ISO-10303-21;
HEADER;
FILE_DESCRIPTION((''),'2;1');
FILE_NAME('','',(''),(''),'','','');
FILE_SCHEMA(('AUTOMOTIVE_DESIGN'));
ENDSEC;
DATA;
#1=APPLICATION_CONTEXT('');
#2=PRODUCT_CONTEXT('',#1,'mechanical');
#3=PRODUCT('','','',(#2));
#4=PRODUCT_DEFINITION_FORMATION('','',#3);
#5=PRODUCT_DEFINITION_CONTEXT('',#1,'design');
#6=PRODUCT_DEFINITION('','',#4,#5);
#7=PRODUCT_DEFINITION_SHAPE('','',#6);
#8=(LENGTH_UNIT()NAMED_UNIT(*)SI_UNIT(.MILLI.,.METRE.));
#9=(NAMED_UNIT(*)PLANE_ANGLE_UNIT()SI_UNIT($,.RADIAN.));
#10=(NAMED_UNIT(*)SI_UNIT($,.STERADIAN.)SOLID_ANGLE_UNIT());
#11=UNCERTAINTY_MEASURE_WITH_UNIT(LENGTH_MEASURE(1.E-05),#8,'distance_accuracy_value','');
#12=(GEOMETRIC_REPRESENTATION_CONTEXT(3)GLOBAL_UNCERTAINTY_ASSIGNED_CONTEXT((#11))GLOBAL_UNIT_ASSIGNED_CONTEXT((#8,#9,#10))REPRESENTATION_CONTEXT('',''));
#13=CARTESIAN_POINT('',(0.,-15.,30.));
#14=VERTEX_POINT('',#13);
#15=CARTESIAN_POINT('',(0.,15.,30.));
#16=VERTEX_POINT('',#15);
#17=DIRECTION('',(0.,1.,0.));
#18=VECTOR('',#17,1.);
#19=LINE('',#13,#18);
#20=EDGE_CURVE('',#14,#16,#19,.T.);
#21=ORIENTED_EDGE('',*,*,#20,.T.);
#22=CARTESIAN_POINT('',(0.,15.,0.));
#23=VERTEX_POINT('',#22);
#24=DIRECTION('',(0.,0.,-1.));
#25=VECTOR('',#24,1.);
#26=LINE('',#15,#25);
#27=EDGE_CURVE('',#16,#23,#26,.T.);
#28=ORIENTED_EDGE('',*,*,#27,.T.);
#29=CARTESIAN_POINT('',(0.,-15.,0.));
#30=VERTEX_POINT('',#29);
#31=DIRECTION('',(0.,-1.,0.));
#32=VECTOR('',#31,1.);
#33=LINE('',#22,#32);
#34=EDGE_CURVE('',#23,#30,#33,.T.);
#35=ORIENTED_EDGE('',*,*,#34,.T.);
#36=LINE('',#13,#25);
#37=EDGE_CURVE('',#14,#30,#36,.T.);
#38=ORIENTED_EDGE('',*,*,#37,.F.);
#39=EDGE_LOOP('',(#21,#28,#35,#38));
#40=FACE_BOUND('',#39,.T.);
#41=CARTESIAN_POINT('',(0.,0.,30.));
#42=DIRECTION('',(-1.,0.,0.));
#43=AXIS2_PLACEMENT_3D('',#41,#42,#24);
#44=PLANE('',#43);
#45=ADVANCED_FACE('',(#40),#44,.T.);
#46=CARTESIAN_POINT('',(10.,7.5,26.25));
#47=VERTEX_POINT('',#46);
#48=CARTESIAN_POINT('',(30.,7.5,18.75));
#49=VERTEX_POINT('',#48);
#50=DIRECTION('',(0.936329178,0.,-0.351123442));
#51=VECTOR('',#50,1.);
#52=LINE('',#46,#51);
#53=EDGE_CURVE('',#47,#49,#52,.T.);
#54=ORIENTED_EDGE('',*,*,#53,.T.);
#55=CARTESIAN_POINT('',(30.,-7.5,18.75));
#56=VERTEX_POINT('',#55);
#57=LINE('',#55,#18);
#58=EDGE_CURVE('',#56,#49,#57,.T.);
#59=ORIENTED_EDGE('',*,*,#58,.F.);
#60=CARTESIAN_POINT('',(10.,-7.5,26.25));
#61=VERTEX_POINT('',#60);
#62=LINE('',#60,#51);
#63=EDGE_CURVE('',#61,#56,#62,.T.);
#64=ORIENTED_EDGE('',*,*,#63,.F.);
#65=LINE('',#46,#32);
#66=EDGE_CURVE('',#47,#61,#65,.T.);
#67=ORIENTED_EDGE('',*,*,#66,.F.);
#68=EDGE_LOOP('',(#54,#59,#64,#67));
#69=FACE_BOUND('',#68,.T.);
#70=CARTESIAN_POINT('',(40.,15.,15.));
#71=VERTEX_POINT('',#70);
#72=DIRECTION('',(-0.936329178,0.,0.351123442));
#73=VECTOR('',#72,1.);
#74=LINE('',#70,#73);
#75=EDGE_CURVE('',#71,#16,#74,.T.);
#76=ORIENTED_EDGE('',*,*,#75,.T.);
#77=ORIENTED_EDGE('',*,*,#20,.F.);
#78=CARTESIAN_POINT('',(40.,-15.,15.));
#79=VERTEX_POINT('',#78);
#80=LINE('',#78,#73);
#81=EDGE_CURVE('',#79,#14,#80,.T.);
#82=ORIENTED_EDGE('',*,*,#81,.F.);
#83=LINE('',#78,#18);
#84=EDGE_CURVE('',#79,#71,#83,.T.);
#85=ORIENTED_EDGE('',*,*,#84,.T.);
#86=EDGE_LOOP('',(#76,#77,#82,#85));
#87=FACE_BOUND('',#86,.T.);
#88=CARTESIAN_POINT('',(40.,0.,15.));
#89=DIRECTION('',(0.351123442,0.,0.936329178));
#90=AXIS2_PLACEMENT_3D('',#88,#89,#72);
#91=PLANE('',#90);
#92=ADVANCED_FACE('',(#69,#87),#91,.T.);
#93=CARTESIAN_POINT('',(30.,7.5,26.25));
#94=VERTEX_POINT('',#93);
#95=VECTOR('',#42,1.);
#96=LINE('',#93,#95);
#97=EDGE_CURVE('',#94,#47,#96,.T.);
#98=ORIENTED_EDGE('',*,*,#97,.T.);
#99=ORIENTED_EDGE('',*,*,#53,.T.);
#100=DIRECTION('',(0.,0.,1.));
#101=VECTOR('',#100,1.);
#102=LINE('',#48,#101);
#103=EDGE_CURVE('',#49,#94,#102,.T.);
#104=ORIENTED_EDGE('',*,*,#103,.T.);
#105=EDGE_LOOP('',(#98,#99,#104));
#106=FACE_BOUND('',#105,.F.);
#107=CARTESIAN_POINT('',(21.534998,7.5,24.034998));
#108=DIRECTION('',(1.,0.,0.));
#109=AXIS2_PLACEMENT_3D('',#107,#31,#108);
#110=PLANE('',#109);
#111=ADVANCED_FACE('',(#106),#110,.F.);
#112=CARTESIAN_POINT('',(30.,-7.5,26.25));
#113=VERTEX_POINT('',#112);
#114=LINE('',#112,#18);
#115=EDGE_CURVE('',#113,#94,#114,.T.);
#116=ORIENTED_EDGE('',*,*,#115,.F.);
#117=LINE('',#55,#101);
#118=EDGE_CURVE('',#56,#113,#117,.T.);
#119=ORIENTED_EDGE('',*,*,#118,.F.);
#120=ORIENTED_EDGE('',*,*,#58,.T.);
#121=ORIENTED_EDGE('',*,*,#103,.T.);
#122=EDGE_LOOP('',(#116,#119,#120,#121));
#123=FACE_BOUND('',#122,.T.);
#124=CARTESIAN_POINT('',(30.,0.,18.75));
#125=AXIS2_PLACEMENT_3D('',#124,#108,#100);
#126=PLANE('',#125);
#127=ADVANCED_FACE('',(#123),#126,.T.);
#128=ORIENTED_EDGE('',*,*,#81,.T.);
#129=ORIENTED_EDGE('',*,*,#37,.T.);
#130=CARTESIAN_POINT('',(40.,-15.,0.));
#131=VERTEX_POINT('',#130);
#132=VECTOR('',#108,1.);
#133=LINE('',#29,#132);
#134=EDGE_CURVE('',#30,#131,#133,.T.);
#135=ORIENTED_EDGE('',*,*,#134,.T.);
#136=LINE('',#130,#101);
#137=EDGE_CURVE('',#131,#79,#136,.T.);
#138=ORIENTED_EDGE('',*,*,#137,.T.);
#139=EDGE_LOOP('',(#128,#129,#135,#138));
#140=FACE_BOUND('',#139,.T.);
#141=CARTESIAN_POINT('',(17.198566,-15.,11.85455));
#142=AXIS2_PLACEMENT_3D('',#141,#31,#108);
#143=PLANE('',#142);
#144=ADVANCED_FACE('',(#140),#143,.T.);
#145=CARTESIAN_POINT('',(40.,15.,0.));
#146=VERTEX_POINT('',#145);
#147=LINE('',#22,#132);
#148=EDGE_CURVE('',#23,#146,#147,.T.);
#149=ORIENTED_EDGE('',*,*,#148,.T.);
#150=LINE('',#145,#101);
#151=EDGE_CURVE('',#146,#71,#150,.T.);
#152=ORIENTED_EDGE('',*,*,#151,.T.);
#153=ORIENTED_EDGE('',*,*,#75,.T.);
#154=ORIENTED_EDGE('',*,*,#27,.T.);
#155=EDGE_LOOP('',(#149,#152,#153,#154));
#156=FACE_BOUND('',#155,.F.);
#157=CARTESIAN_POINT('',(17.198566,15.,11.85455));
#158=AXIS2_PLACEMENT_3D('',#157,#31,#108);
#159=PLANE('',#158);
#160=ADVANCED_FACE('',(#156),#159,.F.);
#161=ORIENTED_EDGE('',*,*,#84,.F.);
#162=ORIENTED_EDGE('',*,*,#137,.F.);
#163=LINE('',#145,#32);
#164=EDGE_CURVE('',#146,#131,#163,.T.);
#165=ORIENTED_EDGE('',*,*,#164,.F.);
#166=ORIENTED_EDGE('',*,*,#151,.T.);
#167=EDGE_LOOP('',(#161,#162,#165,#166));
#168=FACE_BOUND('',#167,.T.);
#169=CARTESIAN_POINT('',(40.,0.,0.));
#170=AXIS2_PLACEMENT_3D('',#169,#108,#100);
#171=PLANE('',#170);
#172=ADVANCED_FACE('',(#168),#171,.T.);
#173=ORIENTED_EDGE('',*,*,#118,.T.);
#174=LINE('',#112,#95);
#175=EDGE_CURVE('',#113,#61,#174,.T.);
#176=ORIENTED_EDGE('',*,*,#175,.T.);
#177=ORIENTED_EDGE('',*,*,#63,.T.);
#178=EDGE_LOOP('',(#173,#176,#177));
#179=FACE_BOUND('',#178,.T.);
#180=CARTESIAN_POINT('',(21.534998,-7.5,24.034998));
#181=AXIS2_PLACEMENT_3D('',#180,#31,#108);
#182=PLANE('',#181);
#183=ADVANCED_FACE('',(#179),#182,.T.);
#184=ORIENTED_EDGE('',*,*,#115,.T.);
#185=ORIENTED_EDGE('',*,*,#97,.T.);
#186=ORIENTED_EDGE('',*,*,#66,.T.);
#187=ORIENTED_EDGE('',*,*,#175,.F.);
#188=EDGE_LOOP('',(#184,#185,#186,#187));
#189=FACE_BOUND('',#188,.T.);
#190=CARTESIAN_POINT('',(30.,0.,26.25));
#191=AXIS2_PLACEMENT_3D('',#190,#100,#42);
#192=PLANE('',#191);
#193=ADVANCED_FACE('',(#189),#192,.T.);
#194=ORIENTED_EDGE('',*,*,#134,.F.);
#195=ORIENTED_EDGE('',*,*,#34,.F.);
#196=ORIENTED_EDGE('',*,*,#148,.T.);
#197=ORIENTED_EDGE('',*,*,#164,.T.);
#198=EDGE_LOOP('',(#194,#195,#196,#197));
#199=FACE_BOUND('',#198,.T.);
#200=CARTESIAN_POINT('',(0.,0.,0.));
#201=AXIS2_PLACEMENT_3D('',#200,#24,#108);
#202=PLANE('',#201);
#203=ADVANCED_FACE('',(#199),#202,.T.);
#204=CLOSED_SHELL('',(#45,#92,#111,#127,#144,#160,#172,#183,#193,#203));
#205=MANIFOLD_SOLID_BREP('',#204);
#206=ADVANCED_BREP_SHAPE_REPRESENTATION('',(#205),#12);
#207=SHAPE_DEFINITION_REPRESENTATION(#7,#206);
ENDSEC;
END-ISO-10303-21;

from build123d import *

# Parameters (mm, degrees)
F1_DEPTH = 15
F2_DEPTH = 7.5


with BuildPart() as f1:
    # F0 (on Front) → F1 (new body, symmetric)
    with BuildSketch(Plane.XZ):
        Polygon((0, 30), (0, 0), (40, 0), (40, 15), (30, 18.75), (10, 18.75), (10, 26.25), align=None)
        Polygon((30, 18.75), (10, 26.25), (10, 18.75), align=None)
    extrude(amount=F1_DEPTH, both=True)

    # F0 (on Front) → F2 (join, symmetric)
    with BuildSketch(Plane.XZ):
        Polygon((30, 26.25), (10, 26.25), (30, 18.75), align=None)
    extrude(amount=F2_DEPTH, both=True)


solid = f1.part
